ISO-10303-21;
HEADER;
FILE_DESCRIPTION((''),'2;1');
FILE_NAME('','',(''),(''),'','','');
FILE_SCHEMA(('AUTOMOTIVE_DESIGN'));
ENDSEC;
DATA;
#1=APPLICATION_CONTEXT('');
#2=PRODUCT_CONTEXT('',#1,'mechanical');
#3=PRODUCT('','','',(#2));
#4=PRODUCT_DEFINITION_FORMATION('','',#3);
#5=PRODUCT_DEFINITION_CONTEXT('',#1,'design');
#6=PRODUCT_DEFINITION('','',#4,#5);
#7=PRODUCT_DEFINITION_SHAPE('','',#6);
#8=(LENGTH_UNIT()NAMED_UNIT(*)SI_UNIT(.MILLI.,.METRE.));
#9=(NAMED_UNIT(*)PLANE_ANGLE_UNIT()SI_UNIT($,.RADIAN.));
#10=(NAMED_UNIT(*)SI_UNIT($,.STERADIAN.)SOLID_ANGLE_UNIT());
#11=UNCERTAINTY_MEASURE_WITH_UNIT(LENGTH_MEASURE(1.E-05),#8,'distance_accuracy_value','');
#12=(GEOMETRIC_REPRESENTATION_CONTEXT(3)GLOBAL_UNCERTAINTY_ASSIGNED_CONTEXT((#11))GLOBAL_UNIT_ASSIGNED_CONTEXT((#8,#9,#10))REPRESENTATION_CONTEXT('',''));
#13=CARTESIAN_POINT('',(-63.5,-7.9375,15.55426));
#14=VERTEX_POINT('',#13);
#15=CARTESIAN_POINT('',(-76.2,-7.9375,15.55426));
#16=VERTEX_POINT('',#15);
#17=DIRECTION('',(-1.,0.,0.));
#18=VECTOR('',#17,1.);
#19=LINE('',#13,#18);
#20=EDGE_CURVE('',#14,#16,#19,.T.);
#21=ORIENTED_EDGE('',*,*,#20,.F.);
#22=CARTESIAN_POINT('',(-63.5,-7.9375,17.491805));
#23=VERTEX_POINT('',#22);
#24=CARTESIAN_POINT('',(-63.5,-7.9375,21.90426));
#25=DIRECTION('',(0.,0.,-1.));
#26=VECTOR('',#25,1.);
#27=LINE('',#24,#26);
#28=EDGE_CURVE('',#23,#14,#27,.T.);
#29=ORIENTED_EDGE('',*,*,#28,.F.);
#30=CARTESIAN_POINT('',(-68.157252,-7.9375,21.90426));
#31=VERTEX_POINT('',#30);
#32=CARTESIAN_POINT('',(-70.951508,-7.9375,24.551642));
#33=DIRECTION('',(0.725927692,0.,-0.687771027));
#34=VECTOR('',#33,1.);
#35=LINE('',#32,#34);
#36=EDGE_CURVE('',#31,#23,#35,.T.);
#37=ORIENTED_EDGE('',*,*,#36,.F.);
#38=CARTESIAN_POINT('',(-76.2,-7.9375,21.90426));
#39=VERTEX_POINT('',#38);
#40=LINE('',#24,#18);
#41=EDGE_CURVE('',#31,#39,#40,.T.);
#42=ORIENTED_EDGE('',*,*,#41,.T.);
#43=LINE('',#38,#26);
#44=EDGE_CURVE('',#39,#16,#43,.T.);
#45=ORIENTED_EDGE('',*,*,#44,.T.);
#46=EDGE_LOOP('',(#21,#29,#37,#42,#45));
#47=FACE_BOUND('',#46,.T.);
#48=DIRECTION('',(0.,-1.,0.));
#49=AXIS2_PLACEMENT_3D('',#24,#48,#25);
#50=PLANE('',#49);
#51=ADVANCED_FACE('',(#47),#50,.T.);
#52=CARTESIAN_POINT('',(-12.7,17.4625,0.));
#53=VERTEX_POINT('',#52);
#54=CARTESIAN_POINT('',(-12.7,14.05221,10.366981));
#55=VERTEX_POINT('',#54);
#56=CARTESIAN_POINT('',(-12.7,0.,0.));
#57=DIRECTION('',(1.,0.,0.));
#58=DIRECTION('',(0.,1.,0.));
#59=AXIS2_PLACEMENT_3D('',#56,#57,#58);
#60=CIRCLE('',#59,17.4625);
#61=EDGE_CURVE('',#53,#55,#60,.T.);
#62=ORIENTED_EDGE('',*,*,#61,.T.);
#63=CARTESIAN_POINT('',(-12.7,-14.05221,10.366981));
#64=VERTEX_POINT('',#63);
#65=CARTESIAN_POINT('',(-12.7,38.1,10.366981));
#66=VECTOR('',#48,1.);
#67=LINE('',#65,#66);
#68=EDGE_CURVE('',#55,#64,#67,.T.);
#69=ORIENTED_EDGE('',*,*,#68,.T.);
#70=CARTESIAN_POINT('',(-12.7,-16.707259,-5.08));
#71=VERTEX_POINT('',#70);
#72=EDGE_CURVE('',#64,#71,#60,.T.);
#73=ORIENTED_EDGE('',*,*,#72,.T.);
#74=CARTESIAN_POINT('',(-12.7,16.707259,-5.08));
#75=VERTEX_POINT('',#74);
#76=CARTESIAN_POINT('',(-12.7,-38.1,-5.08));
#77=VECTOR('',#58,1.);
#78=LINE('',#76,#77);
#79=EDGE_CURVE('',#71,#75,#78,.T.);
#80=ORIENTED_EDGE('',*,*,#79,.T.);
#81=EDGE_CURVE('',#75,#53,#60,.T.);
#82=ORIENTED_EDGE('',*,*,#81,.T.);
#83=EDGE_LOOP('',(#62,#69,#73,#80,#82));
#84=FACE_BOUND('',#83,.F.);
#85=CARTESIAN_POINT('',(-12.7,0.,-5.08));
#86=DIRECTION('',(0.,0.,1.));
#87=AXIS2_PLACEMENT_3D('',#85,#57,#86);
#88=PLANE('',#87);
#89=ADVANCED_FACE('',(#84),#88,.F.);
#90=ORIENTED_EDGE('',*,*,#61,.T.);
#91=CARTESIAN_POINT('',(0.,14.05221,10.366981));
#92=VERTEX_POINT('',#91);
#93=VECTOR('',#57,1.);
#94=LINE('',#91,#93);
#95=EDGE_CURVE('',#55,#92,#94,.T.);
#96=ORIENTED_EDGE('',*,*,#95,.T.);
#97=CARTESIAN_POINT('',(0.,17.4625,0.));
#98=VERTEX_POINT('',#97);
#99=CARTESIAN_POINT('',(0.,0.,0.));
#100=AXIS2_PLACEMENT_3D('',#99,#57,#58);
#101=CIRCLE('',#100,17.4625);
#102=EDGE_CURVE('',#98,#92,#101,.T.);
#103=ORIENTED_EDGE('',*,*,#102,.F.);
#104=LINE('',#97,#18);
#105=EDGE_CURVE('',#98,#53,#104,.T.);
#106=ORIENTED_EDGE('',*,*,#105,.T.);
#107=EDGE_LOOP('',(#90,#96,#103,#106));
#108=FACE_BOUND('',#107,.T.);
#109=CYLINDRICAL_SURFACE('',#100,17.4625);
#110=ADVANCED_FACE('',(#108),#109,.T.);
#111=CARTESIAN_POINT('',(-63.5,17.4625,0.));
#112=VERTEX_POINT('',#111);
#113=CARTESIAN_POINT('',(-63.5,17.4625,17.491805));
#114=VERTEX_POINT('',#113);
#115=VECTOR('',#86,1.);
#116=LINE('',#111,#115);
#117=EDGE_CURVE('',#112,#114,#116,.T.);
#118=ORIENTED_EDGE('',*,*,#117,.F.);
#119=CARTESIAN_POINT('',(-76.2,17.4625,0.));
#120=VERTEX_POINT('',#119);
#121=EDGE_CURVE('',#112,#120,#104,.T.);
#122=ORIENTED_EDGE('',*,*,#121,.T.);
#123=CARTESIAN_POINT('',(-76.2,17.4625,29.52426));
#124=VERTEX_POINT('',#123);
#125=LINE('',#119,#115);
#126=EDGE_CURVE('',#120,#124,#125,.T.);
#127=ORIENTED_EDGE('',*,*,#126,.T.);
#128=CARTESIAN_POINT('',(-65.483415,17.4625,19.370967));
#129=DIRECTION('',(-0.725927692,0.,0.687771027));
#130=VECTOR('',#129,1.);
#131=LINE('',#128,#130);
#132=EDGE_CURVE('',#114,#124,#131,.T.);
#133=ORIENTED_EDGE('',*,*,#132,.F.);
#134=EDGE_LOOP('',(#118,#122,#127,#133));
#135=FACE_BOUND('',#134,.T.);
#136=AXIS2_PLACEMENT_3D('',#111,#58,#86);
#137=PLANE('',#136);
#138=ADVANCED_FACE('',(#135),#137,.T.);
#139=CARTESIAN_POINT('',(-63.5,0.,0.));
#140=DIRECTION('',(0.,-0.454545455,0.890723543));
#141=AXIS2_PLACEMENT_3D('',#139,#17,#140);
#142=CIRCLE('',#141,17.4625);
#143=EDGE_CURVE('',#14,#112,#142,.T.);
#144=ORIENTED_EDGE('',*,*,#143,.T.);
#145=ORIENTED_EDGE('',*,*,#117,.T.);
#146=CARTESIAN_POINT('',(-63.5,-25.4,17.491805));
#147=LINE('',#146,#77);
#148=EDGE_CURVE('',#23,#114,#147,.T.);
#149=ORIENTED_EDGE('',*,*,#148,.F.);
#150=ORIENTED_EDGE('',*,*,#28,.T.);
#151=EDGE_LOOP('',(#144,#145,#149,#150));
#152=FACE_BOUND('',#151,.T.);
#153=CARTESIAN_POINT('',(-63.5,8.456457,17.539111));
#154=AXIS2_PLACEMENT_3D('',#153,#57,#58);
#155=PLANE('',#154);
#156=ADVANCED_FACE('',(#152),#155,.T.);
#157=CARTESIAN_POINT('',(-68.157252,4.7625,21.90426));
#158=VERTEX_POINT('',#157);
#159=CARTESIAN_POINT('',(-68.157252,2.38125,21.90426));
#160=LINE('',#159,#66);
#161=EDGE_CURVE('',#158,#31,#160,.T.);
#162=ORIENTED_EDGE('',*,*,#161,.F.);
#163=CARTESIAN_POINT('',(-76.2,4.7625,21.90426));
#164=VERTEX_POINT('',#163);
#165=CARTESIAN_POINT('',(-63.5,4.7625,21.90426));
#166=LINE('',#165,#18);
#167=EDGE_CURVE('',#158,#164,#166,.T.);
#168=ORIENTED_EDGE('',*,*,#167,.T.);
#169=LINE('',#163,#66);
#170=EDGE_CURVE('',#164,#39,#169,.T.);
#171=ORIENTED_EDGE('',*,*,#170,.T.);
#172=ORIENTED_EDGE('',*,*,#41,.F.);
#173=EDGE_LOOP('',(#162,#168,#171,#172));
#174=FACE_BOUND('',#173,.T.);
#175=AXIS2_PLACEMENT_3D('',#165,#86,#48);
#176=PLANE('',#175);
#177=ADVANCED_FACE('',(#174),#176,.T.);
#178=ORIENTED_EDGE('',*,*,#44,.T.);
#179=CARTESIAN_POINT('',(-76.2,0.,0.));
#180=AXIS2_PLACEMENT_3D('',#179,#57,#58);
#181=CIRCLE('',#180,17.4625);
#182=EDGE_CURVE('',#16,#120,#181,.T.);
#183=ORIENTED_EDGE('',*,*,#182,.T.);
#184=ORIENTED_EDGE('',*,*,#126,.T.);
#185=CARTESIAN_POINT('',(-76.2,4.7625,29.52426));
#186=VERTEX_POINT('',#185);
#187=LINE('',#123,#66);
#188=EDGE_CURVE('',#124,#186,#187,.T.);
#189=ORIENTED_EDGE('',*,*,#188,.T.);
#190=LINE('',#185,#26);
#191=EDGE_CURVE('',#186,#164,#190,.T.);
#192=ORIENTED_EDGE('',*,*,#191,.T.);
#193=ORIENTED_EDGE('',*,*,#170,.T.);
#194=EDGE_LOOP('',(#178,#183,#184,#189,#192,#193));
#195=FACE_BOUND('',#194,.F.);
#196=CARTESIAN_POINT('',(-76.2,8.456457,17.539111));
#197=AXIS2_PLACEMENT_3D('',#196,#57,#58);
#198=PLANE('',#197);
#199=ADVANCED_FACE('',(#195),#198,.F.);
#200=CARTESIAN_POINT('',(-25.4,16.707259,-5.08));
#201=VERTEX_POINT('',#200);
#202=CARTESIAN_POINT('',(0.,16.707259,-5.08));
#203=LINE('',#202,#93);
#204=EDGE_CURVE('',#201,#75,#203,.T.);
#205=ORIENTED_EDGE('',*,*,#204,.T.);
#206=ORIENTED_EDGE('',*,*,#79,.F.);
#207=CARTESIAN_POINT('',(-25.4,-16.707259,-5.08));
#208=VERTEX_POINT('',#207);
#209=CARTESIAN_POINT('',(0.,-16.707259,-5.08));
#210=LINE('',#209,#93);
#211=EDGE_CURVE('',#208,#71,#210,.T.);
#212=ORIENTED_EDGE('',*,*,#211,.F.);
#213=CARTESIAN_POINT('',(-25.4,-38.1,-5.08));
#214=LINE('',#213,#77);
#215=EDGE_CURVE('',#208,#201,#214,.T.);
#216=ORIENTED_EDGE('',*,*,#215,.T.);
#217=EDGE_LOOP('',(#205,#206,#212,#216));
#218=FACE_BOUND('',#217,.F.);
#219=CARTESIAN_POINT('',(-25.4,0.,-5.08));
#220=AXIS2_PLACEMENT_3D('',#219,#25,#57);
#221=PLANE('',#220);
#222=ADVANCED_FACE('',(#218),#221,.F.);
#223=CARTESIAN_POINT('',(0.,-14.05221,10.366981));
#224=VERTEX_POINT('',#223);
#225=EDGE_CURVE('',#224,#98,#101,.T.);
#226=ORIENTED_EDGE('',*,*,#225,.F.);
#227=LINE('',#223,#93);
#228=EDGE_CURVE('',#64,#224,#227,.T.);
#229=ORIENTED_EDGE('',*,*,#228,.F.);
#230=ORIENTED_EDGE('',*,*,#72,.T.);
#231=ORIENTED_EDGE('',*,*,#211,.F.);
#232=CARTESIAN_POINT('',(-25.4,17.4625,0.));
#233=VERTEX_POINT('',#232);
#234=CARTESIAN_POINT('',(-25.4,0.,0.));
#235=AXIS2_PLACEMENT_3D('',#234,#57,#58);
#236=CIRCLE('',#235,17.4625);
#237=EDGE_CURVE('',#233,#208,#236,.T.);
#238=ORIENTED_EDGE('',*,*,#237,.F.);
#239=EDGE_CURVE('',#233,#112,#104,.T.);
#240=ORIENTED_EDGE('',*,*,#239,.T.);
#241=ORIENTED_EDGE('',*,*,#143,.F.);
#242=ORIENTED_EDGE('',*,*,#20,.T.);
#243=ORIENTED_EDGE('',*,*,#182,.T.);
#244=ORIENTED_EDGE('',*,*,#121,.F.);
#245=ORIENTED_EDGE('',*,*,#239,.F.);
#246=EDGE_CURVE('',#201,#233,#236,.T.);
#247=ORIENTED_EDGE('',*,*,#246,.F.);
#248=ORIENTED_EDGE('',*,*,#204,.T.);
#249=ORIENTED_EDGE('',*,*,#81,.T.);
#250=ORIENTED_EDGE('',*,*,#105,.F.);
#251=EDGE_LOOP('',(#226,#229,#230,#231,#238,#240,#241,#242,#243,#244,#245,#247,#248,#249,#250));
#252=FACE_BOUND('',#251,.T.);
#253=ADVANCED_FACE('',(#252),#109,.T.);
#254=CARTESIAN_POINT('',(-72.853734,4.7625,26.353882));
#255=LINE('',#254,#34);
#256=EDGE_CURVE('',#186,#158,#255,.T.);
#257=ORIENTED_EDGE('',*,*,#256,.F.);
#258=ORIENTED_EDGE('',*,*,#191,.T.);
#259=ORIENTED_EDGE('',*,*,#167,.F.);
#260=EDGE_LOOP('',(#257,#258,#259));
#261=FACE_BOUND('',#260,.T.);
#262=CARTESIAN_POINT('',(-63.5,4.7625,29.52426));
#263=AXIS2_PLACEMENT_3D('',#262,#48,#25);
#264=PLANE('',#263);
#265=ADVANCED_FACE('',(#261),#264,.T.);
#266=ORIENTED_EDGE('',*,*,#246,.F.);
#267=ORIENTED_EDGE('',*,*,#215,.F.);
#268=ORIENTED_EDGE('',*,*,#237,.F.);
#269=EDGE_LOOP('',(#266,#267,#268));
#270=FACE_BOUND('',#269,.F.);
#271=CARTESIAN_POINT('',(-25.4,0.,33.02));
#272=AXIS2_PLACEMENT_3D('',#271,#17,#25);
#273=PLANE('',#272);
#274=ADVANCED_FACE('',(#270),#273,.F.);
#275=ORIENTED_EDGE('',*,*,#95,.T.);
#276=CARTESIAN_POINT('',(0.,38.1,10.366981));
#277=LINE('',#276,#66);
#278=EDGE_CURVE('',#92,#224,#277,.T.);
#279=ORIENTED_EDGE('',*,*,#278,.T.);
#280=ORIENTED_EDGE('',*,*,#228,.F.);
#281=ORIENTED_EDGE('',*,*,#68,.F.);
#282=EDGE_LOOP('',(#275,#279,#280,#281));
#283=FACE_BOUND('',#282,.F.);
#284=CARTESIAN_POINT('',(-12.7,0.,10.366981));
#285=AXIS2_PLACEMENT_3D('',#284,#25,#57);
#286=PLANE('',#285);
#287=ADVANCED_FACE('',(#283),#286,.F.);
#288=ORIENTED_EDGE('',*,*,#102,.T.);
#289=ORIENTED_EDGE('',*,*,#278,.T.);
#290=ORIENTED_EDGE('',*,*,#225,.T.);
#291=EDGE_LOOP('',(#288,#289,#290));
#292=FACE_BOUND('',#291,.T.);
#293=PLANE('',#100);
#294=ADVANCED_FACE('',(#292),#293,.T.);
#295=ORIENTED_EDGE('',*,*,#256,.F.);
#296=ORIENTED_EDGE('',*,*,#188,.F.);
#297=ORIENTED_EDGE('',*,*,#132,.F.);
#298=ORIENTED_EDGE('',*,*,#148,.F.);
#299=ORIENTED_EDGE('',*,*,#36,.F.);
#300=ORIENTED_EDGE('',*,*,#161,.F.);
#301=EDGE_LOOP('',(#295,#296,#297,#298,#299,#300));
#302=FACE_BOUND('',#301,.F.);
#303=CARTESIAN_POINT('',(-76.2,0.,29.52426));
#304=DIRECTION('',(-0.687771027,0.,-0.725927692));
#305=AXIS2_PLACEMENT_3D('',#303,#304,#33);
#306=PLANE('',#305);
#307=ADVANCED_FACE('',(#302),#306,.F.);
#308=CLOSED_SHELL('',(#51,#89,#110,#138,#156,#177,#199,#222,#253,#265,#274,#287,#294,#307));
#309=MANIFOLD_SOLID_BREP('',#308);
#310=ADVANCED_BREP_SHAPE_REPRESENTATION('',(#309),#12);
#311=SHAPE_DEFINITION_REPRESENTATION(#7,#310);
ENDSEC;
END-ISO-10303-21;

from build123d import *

# Parameters (mm, degrees)
F0_R     = 17.4625
F1_DEPTH = 76.2
F3_DEPTH = 38.1
F5_START = -38.1
F5_DEPTH = 12.7
F7_DEPTH = 25.4


with BuildPart() as f1:
    # F0 (on Right) → F1 (new body)
    with BuildSketch(Plane.YZ):
        Circle(F0_R)
    extrude(amount=-F1_DEPTH)

    # F2 (on Front) → F3 (cut, symmetric)
    with BuildSketch(Plane.XZ):
        Polygon((-12.7, -5.08), (-12.7, 0), (-12.7, 10.3669809178), (0, 10.3669809178), (0, 33.02), (-25.4, 33.02), (-25.4, -5.08), align=None)
    extrude(amount=F3_DEPTH, both=True, mode=Mode.SUBTRACT)

    # F4 (on face) → F5 (join)
    with BuildSketch(Plane.YZ.offset(-25.4).offset(F5_START)):
        with BuildLine():
            Line((-7.9375, 21.9042598667), (-7.9375, 15.5542598667))
            ThreePointArc((-7.9375, 15.5542598667), (9.1194932014, 14.8920700374), (17.4625, 0))
            Line((17.4625, 0), (17.4625, 29.5242598667))
            Line((17.4625, 29.5242598667), (4.7625, 29.5242598667))
            Line((4.7625, 29.5242598667), (4.7625, 21.9042598667))
            Line((4.7625, 21.9042598667), (-7.9375, 21.9042598667))
        make_face()
    extrude(amount=-F5_DEPTH)

    # F6 (on Front) → F7 (cut, symmetric)
    with BuildSketch(Plane.XZ):
        Polygon((-63.5, 29.5242598667), (-76.2, 29.5242598667), (-63.5, 17.4918052011), align=None)
    extrude(amount=F7_DEPTH, both=True, mode=Mode.SUBTRACT)


solid = f1.part
